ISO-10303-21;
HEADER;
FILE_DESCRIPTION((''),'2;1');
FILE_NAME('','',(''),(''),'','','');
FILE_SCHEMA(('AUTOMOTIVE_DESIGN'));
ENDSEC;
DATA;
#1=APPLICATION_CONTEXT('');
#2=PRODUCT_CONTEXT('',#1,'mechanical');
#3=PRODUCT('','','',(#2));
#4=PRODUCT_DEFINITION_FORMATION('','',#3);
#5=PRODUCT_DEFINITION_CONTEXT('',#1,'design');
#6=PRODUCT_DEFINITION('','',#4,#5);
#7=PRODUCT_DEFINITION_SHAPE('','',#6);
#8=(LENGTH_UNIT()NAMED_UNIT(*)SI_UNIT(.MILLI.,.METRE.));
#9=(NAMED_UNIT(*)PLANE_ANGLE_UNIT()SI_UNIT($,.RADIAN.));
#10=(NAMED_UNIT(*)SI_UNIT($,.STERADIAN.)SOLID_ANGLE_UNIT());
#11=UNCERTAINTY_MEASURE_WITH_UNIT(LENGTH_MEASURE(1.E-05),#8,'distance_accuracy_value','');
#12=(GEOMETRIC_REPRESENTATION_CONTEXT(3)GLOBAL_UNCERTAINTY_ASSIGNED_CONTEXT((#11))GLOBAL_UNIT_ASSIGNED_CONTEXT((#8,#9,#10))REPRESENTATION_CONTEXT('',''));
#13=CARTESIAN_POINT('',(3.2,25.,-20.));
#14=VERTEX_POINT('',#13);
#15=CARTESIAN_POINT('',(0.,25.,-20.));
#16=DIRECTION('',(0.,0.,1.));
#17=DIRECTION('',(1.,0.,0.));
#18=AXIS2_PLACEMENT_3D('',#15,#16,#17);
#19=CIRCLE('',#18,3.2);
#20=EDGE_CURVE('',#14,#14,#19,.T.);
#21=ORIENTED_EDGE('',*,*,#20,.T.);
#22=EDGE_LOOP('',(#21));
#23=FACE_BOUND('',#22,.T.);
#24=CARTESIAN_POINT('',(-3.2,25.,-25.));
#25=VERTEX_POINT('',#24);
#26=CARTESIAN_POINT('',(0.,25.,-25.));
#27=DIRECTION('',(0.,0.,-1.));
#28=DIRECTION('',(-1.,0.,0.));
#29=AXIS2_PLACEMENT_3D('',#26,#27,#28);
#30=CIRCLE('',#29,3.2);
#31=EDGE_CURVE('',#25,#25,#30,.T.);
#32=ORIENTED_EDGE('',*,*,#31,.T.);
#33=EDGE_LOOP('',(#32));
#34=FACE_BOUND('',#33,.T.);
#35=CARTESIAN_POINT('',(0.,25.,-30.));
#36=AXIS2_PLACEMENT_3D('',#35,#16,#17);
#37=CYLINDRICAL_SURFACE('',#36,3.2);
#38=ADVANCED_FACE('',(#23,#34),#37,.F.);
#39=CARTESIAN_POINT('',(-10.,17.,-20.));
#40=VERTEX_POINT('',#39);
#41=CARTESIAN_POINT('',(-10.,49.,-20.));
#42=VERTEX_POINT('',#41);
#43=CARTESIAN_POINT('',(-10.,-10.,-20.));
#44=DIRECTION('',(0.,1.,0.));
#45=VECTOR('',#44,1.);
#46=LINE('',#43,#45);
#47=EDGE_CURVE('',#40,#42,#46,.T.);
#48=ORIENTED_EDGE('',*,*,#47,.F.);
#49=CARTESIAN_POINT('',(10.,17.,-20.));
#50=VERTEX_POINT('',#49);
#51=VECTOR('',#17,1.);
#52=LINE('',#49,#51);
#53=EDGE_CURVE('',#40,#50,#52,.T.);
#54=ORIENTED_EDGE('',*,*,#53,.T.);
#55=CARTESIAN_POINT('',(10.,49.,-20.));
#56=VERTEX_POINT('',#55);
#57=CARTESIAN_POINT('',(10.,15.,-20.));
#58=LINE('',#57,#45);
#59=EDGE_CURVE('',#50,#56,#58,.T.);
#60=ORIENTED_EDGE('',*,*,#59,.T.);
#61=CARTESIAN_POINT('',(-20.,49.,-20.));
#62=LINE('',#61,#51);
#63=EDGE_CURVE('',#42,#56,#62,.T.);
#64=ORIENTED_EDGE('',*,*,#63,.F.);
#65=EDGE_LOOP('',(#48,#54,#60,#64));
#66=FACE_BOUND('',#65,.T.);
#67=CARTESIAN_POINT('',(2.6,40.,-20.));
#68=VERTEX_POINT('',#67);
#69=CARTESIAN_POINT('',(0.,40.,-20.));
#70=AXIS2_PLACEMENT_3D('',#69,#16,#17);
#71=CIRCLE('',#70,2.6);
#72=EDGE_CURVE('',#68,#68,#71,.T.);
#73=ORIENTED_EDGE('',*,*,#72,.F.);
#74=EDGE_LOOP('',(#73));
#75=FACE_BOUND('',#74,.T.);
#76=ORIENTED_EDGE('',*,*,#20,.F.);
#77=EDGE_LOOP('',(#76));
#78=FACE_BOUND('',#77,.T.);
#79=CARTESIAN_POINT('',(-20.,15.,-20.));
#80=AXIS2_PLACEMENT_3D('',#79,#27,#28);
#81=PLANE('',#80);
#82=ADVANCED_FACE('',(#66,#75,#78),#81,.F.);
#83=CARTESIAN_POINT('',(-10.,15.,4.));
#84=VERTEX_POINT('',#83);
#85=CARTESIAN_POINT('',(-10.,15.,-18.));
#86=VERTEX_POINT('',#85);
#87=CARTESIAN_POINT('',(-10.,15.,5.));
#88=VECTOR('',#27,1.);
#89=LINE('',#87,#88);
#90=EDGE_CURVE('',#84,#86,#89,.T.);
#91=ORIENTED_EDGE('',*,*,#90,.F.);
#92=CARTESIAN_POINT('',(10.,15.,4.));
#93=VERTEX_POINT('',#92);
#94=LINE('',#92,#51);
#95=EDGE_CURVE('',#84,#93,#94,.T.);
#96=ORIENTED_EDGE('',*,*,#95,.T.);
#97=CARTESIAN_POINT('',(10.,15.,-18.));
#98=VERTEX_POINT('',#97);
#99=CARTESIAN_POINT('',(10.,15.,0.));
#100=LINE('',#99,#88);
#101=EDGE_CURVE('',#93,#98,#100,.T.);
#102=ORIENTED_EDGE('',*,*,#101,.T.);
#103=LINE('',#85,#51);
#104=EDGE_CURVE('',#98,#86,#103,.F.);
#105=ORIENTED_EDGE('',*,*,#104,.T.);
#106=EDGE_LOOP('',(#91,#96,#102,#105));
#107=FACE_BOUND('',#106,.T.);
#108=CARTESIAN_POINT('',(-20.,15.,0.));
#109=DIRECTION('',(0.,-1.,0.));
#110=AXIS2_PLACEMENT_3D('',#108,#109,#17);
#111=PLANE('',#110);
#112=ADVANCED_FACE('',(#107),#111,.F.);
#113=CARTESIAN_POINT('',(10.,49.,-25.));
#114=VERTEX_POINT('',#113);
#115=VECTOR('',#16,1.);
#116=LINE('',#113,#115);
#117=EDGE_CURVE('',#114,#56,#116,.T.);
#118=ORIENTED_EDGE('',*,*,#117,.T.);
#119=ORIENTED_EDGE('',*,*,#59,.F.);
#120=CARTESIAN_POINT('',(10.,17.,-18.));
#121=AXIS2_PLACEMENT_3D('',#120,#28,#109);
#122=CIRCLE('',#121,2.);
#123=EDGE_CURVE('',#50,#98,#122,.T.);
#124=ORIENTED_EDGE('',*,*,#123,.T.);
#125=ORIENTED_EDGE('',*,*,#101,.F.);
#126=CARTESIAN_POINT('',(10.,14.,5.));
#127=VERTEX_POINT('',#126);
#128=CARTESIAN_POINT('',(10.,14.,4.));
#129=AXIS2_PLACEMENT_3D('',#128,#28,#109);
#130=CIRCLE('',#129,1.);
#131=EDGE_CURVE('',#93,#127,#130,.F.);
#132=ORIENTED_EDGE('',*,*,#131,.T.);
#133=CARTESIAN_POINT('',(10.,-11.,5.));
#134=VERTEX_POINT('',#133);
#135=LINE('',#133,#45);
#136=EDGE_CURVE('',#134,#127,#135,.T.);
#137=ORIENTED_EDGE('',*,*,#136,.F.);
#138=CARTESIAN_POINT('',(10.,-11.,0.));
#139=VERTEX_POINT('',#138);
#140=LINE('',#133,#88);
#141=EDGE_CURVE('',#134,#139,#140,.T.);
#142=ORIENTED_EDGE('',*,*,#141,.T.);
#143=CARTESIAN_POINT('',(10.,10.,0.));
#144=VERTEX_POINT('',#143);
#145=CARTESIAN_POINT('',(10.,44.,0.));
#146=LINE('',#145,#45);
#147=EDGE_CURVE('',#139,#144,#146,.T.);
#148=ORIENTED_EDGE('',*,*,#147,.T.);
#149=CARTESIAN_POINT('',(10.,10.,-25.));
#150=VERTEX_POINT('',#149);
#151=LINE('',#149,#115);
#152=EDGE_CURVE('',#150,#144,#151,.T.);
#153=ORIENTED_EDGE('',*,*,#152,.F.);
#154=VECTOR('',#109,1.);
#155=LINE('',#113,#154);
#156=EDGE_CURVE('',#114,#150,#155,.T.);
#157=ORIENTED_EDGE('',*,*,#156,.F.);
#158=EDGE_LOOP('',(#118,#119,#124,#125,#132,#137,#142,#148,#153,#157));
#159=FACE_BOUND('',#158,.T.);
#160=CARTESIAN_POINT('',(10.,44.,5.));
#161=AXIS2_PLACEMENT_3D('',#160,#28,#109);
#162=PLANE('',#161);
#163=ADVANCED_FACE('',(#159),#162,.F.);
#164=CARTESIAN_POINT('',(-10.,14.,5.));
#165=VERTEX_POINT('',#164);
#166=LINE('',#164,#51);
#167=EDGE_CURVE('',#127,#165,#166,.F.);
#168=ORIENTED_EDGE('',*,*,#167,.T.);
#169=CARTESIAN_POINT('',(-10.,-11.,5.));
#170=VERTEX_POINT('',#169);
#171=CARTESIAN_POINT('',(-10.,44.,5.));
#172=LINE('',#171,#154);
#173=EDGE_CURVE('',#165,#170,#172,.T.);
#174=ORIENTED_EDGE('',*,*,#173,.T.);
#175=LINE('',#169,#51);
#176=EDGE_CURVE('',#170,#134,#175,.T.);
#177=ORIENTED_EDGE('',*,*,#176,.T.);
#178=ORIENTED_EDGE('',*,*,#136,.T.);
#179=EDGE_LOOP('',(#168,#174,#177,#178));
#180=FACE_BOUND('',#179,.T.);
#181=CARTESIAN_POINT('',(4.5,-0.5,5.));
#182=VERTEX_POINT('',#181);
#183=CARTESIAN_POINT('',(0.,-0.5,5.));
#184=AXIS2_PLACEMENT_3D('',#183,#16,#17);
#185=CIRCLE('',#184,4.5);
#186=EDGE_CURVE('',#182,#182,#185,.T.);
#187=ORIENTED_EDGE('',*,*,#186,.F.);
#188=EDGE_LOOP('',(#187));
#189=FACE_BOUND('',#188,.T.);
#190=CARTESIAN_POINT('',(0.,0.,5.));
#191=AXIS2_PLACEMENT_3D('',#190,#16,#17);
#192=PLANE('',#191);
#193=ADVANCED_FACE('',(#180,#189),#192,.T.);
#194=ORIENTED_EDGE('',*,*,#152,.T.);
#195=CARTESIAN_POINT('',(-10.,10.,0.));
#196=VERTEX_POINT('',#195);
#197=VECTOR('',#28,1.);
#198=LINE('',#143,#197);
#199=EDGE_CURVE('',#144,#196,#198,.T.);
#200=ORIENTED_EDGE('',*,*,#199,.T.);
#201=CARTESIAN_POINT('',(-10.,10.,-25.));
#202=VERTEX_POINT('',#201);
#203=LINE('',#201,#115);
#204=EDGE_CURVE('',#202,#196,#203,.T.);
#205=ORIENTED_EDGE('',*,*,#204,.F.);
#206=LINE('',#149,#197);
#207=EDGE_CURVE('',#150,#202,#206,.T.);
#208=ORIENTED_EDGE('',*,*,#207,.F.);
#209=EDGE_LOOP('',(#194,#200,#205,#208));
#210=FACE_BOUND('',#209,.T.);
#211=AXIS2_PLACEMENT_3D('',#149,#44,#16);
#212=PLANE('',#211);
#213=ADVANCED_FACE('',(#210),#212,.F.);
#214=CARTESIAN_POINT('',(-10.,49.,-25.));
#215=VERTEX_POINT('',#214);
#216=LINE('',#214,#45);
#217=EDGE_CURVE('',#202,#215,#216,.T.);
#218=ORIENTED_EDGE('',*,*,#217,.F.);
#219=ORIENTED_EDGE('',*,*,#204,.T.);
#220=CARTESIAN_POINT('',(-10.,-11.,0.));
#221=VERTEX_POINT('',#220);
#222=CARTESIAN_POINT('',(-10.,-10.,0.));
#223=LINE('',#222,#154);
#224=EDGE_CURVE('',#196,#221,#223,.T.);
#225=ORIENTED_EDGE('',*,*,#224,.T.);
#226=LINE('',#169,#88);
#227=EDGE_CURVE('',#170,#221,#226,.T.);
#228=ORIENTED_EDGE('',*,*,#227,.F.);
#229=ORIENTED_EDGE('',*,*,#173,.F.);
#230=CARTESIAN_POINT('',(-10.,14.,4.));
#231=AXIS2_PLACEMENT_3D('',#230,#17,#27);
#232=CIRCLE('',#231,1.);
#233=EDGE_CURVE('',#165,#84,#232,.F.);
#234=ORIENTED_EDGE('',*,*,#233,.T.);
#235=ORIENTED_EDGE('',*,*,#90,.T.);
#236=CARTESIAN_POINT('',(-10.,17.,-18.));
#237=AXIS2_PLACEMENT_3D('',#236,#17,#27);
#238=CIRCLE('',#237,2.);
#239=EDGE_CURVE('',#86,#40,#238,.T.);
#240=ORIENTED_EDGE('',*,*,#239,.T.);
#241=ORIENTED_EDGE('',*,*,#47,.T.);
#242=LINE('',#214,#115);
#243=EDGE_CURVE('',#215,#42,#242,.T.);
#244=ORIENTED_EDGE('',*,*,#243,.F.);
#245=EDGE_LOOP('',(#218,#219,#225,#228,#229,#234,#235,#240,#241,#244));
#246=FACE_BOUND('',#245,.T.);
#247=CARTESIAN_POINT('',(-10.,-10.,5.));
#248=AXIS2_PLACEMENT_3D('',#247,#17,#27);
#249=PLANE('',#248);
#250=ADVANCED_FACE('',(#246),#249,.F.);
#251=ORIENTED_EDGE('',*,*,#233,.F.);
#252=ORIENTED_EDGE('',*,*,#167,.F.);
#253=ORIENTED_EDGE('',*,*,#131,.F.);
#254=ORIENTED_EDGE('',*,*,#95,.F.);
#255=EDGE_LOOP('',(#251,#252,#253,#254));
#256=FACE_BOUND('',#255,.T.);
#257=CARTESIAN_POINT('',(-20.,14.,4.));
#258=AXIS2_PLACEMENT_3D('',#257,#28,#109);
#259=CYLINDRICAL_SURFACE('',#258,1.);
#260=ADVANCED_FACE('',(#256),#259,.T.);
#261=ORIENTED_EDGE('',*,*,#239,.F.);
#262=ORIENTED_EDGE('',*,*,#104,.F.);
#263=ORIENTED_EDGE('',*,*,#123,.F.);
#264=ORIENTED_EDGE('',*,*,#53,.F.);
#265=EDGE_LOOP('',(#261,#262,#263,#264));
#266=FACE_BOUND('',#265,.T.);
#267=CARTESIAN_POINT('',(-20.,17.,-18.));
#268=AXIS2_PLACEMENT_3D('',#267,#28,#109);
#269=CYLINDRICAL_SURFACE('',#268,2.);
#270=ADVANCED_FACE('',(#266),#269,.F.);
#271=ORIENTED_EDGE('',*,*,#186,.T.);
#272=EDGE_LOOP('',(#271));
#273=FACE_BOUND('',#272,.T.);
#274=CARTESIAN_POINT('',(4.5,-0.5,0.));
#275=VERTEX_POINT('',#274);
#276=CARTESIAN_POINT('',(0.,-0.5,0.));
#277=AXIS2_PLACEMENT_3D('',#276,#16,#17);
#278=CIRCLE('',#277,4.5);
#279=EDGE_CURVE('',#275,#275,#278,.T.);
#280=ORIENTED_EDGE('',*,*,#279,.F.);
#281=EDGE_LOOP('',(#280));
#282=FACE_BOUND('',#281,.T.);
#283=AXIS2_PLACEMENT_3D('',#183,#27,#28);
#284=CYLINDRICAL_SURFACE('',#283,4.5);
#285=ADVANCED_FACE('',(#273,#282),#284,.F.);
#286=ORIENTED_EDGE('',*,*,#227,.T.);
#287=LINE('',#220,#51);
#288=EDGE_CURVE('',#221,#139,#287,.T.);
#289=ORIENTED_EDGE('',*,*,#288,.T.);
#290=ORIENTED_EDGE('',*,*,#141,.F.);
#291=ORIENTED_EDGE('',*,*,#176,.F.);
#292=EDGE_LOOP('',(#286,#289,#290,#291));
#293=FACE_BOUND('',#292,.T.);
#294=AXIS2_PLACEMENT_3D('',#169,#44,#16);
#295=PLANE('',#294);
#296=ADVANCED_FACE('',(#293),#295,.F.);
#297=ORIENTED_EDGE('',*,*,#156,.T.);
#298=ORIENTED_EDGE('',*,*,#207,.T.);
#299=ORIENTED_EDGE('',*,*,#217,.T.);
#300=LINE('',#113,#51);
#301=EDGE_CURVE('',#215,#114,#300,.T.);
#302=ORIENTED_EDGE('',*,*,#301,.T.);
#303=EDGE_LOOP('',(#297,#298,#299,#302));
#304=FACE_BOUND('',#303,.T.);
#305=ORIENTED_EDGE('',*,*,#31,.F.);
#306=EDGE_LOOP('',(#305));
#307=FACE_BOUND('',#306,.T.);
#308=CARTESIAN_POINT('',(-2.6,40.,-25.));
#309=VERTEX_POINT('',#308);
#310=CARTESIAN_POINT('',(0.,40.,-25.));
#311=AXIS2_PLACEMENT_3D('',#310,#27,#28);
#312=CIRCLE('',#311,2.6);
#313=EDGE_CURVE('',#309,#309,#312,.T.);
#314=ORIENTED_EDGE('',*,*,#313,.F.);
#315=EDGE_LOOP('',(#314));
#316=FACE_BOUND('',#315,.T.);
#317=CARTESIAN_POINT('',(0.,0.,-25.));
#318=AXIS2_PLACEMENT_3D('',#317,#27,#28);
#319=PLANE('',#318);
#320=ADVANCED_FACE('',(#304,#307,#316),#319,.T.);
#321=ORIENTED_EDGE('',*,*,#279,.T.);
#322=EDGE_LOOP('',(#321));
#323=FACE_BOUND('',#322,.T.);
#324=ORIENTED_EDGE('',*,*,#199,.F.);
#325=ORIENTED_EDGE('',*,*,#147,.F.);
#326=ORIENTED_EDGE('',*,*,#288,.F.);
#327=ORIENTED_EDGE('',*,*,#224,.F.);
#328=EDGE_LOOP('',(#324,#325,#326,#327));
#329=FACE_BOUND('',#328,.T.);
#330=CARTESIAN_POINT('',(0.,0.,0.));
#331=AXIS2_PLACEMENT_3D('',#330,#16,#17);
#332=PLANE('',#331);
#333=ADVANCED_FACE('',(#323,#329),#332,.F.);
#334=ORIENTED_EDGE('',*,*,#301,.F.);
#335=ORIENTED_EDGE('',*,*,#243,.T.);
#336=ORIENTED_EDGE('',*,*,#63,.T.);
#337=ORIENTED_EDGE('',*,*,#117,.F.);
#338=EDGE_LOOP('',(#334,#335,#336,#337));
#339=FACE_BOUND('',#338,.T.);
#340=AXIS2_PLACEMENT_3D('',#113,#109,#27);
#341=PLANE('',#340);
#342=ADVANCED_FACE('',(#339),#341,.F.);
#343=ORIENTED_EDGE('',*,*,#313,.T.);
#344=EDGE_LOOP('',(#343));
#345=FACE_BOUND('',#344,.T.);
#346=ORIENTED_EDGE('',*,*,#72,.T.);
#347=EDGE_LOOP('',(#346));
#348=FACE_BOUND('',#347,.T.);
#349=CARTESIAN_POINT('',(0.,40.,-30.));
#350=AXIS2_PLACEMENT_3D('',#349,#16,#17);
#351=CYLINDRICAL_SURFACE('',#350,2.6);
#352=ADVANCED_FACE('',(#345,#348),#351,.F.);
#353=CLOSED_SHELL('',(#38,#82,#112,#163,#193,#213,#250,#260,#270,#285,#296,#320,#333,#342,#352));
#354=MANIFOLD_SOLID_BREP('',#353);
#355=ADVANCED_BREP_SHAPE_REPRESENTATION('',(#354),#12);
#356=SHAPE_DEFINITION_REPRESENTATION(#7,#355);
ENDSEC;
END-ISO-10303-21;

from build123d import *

# Parameters (mm, degrees)
SKETCH1_R           = 4.5
BOSS_EXTRUDE1_DEPTH = 5
SKETCH2_W           = 20
SKETCH2_H           = 39
BOSS_EXTRUDE2_DEPTH = 25
CUT_EXTRUDE1_DEPTH  = 30
SKETCH4_R           = 2.6
SKETCH4_R_2         = 3.2
CUT_EXTRUDE2_DEPTH  = 10
FILLET1_R           = 2
FILLET2_R           = 1


with BuildPart() as part:
    # Sketch1 → Boss-Extrude1 (new body)
    with BuildSketch(Plane.XY):
        Polygon((-10, 10), (-10, -10), (-10, -11), (10, -11), (10, -10), (10, 10), (10, 44), (-10, 44), align=None)
        with Locations((0, -0.5)):
            Circle(SKETCH1_R, mode=Mode.SUBTRACT)
    extrude(amount=BOSS_EXTRUDE1_DEPTH)

    # Sketch2 → Boss-Extrude2 (add)
    with BuildSketch(Plane(origin=(0, 0, 0), x_dir=(-1, 0, 0), z_dir=(0, 0, -1))):
        with Locations((0, 29.5)):
            Rectangle(SKETCH2_W, SKETCH2_H)
    extrude(amount=BOSS_EXTRUDE2_DEPTH)

    # Sketch3 → Cut-Extrude1 (cut)
    with BuildSketch(Plane(origin=(10, 0, 0), x_dir=(0, 0, -1), z_dir=(1, 0, 0))):
        Polygon((0, 15), (-5, 15), (-5, 49), (20, 49), (20, 15), align=None)
    extrude(amount=-CUT_EXTRUDE1_DEPTH, mode=Mode.SUBTRACT)

    # Sketch4 → Cut-Extrude2 (cut)
    with BuildSketch(Plane.XY.offset(-20)):
        with Locations((0, 40)):
            Circle(SKETCH4_R)
        with Locations((0, 25)):
            Circle(SKETCH4_R_2)
    extrude(amount=-CUT_EXTRUDE2_DEPTH, mode=Mode.SUBTRACT)

    # Fillet1
    fillet1_edges = [part.edges().sort_by_distance(p)[0] for p in [
        (0, 15, -20),
    ]]
    fillet(fillet1_edges, radius=FILLET1_R)

    # Fillet2
    fillet2_edges = [part.edges().sort_by_distance(p)[0] for p in [
        (0, 15, 5),
    ]]
    fillet(fillet2_edges, radius=FILLET2_R)


solid = part.part
